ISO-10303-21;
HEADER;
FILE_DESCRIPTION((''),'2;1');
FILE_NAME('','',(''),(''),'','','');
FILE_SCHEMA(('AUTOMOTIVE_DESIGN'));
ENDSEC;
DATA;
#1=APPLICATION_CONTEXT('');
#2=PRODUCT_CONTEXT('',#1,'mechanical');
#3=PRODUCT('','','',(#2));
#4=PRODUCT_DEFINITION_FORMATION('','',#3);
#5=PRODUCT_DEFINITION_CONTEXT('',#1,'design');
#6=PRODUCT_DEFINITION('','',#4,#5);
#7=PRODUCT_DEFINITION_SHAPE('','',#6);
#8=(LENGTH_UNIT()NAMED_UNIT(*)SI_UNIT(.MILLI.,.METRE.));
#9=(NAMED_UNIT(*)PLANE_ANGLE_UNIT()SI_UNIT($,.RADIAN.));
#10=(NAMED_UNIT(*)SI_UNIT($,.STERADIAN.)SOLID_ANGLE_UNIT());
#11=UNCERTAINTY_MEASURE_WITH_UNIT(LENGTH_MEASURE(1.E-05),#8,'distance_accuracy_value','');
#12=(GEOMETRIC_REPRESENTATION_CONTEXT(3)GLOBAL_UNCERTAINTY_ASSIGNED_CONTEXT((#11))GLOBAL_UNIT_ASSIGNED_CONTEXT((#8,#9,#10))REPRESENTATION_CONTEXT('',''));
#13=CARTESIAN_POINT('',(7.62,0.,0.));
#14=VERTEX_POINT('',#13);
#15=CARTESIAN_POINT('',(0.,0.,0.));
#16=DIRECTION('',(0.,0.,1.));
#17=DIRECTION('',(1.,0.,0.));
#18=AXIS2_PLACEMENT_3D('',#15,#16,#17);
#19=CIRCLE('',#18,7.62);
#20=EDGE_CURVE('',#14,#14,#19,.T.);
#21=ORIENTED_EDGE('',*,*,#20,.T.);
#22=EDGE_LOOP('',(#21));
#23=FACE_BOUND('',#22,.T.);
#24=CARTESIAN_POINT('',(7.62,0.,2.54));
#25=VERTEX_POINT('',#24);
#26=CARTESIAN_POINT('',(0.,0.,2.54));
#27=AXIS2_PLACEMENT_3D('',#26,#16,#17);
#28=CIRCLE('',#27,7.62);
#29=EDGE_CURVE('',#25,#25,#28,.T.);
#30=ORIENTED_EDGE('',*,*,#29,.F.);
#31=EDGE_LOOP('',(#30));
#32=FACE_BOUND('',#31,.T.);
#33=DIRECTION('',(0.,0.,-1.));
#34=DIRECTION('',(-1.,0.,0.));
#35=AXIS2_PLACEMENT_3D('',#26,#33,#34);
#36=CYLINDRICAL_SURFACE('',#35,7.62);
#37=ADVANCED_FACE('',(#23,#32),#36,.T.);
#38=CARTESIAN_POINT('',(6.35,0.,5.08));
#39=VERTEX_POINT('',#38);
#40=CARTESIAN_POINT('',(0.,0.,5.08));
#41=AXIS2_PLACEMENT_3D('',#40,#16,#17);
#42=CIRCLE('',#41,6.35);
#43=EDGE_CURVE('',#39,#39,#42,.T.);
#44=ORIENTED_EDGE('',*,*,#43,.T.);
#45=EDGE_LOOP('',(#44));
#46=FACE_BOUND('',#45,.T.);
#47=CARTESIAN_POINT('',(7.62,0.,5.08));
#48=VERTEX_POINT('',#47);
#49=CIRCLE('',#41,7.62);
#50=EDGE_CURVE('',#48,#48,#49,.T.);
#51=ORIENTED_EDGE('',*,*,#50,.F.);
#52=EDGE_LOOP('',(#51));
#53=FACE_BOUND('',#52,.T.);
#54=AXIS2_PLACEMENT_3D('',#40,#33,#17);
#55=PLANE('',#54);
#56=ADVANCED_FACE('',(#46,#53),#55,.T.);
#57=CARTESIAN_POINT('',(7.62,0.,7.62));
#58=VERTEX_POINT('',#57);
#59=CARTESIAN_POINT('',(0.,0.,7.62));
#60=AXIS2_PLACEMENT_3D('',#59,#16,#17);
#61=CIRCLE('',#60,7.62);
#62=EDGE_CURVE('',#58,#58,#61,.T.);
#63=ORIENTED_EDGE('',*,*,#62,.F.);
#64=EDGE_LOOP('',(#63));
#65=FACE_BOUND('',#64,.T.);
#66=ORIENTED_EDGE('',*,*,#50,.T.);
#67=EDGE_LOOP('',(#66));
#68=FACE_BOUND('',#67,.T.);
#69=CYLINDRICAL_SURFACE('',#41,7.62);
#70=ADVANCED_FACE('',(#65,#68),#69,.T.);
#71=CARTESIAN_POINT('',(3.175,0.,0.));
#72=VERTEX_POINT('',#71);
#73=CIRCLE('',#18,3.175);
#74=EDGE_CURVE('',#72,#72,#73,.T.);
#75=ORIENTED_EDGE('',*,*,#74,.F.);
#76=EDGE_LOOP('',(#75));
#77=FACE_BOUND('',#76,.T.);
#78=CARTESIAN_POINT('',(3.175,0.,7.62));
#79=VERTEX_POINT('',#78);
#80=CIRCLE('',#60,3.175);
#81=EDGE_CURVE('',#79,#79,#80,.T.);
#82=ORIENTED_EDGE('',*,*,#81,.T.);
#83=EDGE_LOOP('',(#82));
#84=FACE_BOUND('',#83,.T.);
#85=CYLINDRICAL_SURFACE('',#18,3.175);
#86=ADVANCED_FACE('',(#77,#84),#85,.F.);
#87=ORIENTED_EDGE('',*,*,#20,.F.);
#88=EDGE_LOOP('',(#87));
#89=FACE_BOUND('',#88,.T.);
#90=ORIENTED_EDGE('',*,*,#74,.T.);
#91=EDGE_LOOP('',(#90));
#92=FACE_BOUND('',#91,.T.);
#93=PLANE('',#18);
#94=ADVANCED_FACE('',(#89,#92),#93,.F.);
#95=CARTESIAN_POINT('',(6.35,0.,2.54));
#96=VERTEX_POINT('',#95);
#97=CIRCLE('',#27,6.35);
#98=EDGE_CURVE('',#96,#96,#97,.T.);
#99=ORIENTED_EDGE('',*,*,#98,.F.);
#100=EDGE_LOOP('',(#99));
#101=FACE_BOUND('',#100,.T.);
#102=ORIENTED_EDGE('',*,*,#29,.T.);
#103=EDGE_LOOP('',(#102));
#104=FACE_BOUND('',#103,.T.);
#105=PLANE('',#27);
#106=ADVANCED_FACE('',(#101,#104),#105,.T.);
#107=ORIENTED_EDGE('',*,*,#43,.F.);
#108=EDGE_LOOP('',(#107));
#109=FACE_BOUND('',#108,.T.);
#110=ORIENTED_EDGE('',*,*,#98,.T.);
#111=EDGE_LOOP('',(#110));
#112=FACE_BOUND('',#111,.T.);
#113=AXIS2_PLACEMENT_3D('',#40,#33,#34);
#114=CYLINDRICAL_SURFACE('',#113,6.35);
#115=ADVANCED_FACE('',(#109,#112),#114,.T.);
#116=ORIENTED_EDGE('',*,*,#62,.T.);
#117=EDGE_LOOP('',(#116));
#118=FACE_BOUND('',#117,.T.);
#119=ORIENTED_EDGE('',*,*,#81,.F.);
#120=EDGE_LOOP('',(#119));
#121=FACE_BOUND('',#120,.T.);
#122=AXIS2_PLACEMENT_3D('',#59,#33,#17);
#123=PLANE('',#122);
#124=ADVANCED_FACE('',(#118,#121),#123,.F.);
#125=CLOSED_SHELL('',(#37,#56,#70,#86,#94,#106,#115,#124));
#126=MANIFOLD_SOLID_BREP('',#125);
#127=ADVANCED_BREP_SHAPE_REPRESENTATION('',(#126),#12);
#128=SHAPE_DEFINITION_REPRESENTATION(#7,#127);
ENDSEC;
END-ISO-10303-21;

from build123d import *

# Parameters (mm, degrees)
SKETCH1_R           = 7.62
BOSS_EXTRUDE1_DEPTH = 2.54
SKETCH2_R           = 6.35
BOSS_EXTRUDE2_DEPTH = 2.54
SKETCH4_R           = 3.175
CUT_EXTRUDE1_DEPTH  = 8.62


with BuildPart() as part:
    # Sketch1 → Boss-Extrude1 (new body)
    with BuildSketch(Plane.XY):
        Circle(SKETCH1_R)
    boss_extrude1 = extrude(amount=BOSS_EXTRUDE1_DEPTH)

    # Sketch2 → Boss-Extrude2 (add)
    with BuildSketch(Plane.XY.offset(2.54)):
        Circle(SKETCH2_R)
    extrude(amount=BOSS_EXTRUDE2_DEPTH)

    # Mirror1: Boss-Extrude1 across plane
    add(boss_extrude1.mirror(Plane.XY.offset(3.81)))

    # Sketch4 → Cut-Extrude1 (cut, through all)
    with BuildSketch(Plane.XY.offset(7.62)):
        Circle(SKETCH4_R)
    extrude(amount=-CUT_EXTRUDE1_DEPTH, mode=Mode.SUBTRACT)


solid = part.part
